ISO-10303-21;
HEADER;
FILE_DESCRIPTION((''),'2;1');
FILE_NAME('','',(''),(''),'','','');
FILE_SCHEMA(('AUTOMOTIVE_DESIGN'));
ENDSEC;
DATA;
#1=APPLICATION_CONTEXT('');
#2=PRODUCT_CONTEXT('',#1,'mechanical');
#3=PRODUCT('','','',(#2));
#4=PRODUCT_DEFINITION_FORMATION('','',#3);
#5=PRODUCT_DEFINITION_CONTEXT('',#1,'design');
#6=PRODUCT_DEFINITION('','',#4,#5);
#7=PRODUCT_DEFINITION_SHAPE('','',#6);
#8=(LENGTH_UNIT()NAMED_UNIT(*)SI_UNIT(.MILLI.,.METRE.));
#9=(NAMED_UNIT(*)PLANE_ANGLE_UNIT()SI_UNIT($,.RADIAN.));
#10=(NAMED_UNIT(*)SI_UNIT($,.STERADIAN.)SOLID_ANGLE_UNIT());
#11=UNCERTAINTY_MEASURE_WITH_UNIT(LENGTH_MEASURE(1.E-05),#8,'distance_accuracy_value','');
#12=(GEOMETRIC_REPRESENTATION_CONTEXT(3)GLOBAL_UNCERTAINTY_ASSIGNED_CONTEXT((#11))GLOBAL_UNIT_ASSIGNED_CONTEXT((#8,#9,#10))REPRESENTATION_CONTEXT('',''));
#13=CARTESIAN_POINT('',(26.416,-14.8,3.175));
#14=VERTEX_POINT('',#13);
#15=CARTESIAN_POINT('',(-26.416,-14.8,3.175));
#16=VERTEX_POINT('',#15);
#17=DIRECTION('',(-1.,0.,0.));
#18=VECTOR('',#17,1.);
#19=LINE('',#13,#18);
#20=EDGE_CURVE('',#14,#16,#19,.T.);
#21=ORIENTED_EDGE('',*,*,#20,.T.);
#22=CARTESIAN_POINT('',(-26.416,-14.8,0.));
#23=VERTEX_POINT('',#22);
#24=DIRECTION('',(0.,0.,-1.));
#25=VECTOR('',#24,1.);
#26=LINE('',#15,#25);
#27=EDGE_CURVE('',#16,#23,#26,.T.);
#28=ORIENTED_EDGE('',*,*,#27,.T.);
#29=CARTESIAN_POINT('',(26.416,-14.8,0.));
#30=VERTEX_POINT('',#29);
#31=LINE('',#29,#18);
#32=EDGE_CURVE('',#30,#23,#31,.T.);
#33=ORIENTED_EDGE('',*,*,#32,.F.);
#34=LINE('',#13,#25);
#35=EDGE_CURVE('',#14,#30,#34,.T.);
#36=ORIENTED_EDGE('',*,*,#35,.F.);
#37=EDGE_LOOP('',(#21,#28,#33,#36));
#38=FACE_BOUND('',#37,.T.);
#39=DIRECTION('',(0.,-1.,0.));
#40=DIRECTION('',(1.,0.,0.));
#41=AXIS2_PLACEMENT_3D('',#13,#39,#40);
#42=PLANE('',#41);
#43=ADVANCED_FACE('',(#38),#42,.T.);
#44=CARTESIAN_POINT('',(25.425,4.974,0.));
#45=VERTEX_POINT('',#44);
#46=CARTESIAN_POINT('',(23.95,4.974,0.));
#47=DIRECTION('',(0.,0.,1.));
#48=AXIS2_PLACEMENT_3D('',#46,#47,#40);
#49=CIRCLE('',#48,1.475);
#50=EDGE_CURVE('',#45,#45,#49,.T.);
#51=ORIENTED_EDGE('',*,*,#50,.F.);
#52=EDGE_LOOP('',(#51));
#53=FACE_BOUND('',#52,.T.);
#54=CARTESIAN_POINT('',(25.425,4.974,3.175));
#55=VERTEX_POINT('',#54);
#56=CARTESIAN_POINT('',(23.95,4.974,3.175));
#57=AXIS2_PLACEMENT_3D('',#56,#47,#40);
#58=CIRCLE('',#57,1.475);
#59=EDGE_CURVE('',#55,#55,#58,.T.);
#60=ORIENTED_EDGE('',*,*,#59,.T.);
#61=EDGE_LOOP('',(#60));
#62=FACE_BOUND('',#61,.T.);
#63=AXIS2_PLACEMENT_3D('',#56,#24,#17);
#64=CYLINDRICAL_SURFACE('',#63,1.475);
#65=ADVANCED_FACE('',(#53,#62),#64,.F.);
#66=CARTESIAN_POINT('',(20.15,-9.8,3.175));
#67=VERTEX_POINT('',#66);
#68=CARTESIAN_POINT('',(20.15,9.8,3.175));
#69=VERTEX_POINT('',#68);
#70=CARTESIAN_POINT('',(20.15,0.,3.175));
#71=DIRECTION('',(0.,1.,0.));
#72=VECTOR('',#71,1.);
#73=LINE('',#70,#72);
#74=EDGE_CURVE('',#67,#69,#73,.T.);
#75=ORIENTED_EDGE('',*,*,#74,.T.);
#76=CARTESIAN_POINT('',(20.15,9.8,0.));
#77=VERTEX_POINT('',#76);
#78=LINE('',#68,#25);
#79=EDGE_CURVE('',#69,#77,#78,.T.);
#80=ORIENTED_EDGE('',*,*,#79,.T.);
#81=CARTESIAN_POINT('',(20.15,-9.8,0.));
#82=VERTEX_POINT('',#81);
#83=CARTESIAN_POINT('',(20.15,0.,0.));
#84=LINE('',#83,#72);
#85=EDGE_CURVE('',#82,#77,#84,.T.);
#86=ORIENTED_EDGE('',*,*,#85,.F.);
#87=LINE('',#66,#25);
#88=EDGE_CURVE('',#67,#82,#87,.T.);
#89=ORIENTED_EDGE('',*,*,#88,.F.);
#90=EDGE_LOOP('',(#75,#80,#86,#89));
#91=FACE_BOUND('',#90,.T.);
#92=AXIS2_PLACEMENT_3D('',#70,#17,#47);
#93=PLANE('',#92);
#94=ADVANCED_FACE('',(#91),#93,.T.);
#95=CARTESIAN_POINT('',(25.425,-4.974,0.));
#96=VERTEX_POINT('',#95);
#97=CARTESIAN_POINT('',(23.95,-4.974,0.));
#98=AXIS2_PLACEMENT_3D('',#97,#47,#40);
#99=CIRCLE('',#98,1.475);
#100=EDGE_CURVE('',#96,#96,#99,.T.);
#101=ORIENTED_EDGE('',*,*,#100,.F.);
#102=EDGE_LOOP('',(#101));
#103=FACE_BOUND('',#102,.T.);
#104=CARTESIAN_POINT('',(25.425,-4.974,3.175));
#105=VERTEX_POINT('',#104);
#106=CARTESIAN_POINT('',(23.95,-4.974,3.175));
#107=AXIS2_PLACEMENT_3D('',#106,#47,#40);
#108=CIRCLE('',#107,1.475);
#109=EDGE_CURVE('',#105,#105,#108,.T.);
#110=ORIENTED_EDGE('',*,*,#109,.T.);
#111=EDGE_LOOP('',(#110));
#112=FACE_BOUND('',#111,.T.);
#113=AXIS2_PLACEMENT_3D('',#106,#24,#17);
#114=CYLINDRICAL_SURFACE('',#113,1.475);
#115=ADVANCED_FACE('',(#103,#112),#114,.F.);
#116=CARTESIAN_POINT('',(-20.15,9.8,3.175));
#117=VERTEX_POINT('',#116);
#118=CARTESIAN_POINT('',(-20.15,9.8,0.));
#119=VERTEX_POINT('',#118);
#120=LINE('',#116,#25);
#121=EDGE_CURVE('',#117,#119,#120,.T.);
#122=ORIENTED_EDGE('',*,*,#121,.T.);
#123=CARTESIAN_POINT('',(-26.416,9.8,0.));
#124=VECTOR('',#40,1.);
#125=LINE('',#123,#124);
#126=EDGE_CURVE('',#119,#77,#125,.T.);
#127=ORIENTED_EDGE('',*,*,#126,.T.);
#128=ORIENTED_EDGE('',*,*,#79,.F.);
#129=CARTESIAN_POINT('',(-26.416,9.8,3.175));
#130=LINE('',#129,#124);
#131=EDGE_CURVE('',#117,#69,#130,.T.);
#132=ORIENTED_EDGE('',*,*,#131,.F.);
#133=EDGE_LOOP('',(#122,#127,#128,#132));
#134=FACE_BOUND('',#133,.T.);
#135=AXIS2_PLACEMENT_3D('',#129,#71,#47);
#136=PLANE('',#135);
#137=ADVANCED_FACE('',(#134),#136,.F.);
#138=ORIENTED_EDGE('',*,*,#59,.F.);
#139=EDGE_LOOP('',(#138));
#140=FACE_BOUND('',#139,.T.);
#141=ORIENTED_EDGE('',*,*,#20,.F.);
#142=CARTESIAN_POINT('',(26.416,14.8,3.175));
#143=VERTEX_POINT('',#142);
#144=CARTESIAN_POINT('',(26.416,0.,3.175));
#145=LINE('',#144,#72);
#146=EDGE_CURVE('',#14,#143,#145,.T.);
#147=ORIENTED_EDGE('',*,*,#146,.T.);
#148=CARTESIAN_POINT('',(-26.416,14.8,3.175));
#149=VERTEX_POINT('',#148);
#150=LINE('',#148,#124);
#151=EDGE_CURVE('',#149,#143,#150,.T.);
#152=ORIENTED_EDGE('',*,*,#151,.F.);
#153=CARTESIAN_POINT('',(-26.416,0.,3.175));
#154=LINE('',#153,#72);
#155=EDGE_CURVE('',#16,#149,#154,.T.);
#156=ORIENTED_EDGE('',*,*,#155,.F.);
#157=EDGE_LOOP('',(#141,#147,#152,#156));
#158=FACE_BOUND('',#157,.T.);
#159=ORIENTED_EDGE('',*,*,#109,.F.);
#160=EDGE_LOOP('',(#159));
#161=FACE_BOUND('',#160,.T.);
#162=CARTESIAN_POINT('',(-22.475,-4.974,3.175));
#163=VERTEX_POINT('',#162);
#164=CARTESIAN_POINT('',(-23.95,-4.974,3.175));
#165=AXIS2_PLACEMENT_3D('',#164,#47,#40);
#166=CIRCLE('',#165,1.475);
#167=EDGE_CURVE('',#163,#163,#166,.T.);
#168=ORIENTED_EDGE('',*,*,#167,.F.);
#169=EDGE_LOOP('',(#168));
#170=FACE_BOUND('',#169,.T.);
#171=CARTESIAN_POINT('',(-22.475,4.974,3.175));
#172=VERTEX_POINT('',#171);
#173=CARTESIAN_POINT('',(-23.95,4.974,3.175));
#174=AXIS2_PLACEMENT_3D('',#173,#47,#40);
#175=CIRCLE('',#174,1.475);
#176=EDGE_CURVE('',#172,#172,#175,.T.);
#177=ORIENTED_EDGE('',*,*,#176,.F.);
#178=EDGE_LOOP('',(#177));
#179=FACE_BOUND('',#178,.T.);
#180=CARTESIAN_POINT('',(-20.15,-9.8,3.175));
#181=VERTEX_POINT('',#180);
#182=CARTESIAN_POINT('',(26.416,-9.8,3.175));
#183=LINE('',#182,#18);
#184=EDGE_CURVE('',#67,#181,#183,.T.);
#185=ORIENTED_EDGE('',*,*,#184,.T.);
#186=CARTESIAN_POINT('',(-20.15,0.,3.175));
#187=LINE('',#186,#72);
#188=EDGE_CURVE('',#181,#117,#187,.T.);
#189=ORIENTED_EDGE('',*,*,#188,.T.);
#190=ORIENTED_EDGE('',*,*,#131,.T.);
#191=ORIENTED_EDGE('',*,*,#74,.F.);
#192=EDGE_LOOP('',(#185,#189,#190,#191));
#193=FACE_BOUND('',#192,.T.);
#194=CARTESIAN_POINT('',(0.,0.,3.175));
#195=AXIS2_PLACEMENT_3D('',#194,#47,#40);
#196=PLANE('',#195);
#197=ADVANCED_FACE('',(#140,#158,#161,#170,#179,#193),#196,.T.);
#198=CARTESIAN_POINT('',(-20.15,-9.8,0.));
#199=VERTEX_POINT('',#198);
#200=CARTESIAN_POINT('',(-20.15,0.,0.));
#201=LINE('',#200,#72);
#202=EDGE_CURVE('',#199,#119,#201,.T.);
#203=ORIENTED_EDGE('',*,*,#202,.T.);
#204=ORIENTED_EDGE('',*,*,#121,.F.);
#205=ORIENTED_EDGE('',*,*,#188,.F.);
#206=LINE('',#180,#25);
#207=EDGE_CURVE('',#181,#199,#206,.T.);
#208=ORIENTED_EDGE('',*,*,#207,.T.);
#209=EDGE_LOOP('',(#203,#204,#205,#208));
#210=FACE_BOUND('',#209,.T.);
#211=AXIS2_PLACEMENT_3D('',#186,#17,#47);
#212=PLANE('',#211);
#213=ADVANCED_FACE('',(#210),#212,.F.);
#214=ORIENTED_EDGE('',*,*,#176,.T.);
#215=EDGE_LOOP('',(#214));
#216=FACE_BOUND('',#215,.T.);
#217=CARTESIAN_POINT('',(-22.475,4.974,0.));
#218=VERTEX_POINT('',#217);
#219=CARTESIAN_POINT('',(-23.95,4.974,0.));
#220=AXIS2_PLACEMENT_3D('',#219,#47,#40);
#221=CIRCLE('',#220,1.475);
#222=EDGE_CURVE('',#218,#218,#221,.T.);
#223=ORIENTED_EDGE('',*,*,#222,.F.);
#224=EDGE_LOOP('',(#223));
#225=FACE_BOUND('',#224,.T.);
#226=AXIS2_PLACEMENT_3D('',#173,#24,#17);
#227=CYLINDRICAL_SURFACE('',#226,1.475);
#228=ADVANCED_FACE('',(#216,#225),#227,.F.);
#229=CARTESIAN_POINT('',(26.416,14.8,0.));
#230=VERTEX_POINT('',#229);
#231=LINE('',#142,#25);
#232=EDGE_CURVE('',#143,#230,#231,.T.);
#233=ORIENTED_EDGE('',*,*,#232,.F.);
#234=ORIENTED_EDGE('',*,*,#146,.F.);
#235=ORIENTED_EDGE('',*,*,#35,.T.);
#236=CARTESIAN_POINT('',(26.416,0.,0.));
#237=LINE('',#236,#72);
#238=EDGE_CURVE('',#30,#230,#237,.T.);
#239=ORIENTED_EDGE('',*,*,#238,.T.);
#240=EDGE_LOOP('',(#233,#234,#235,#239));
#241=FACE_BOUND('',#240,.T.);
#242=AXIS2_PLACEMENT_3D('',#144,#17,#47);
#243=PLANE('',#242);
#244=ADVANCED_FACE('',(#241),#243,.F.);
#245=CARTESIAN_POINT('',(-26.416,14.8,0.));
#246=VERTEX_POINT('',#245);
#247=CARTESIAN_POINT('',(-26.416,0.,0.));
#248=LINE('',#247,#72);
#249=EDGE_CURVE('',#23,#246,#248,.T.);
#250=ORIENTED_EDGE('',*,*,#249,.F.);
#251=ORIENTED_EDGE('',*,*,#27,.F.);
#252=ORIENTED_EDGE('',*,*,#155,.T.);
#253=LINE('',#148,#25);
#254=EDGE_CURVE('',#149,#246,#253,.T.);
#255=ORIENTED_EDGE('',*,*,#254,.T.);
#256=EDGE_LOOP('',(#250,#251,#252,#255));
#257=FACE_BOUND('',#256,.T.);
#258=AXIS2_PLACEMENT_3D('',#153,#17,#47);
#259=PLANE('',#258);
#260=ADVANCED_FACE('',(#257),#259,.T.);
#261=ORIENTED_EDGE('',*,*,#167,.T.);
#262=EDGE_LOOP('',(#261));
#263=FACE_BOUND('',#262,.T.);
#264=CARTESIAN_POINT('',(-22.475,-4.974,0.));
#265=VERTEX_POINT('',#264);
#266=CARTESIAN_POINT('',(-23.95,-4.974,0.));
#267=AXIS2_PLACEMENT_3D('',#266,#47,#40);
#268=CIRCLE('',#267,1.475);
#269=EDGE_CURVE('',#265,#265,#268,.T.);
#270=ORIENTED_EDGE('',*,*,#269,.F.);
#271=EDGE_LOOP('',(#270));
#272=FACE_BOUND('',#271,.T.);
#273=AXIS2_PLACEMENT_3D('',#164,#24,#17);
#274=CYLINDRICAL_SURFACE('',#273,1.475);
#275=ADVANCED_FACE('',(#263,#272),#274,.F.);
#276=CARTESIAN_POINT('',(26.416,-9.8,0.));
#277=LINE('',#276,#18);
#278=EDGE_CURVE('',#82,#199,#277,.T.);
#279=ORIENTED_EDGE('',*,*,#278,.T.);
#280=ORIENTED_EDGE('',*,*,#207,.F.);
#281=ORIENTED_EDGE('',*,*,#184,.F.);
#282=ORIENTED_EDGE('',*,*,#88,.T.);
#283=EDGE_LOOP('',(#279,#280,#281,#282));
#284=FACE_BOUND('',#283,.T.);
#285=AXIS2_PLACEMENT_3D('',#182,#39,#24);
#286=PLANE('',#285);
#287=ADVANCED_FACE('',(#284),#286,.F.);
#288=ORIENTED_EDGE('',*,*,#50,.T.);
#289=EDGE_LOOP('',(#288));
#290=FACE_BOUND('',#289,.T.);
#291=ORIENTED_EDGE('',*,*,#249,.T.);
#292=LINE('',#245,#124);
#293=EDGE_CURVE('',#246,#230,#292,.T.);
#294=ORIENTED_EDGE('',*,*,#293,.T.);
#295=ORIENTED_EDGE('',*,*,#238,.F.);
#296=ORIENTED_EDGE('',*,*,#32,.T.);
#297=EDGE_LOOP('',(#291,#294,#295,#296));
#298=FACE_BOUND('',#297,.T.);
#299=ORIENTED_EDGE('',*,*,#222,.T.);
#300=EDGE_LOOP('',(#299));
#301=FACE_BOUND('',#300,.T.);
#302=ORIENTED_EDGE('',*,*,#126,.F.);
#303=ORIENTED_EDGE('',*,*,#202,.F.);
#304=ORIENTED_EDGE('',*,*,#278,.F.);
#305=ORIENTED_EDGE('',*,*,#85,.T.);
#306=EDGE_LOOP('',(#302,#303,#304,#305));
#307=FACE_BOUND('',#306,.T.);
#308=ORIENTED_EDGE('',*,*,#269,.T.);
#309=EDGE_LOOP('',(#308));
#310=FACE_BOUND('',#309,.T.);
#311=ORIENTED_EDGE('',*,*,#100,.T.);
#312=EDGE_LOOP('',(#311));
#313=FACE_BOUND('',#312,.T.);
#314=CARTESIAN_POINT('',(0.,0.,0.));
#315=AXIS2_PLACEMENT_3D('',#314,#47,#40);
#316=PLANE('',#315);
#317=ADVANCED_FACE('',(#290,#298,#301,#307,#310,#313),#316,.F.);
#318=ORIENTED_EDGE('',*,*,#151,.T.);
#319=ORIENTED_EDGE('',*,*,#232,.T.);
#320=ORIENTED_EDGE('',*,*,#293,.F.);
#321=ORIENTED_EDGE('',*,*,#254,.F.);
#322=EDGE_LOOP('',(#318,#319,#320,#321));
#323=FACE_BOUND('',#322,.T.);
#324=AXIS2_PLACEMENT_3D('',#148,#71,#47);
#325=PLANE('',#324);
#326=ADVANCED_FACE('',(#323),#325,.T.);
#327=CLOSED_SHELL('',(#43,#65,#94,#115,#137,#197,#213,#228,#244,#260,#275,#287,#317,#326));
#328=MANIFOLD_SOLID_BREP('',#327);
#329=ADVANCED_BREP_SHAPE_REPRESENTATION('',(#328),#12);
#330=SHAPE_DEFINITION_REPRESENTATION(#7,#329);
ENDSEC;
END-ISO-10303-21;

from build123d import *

# Parameters (mm, degrees)
SKETCH1_W           = 6.266
SKETCH1_H           = 19.6
SKETCH1_R           = 1.475
SKETCH1_W_2         = 52.832
SKETCH1_H_2         = 5
BOSS_EXTRUDE2_DEPTH = 3.175


with BuildPart() as part:
    # Sketch1 → Boss-Extrude2 (new body)
    # profile 1 of 4: a face of its own
    with BuildSketch(Plane.XY):
        with Locations((-23.283, 0)):
            Rectangle(SKETCH1_W, SKETCH1_H)
        with Locations((-23.95, -4.974)):
            Circle(SKETCH1_R, mode=Mode.SUBTRACT)
        with Locations((-23.95, 4.974)):
            Circle(SKETCH1_R, mode=Mode.SUBTRACT)
    # profile 2 of 4: a face of its own
    with BuildSketch(Plane.XY):
        with Locations((23.283, 0)):
            Rectangle(SKETCH1_W, SKETCH1_H)
        with Locations((23.95, -4.974)):
            Circle(SKETCH1_R, mode=Mode.SUBTRACT)
        with Locations((23.95, 4.974)):
            Circle(SKETCH1_R, mode=Mode.SUBTRACT)
    # profile 3 of 4: a face of its own
    with BuildSketch(Plane.XY):
        with Locations((0, 12.3)):
            Rectangle(SKETCH1_W_2, SKETCH1_H_2)
    # profile 4 of 4: a face of its own
    with BuildSketch(Plane.XY):
        with Locations((0, -12.3)):
            Rectangle(SKETCH1_W_2, SKETCH1_H_2)
    extrude(amount=BOSS_EXTRUDE2_DEPTH)


solid = part.part
